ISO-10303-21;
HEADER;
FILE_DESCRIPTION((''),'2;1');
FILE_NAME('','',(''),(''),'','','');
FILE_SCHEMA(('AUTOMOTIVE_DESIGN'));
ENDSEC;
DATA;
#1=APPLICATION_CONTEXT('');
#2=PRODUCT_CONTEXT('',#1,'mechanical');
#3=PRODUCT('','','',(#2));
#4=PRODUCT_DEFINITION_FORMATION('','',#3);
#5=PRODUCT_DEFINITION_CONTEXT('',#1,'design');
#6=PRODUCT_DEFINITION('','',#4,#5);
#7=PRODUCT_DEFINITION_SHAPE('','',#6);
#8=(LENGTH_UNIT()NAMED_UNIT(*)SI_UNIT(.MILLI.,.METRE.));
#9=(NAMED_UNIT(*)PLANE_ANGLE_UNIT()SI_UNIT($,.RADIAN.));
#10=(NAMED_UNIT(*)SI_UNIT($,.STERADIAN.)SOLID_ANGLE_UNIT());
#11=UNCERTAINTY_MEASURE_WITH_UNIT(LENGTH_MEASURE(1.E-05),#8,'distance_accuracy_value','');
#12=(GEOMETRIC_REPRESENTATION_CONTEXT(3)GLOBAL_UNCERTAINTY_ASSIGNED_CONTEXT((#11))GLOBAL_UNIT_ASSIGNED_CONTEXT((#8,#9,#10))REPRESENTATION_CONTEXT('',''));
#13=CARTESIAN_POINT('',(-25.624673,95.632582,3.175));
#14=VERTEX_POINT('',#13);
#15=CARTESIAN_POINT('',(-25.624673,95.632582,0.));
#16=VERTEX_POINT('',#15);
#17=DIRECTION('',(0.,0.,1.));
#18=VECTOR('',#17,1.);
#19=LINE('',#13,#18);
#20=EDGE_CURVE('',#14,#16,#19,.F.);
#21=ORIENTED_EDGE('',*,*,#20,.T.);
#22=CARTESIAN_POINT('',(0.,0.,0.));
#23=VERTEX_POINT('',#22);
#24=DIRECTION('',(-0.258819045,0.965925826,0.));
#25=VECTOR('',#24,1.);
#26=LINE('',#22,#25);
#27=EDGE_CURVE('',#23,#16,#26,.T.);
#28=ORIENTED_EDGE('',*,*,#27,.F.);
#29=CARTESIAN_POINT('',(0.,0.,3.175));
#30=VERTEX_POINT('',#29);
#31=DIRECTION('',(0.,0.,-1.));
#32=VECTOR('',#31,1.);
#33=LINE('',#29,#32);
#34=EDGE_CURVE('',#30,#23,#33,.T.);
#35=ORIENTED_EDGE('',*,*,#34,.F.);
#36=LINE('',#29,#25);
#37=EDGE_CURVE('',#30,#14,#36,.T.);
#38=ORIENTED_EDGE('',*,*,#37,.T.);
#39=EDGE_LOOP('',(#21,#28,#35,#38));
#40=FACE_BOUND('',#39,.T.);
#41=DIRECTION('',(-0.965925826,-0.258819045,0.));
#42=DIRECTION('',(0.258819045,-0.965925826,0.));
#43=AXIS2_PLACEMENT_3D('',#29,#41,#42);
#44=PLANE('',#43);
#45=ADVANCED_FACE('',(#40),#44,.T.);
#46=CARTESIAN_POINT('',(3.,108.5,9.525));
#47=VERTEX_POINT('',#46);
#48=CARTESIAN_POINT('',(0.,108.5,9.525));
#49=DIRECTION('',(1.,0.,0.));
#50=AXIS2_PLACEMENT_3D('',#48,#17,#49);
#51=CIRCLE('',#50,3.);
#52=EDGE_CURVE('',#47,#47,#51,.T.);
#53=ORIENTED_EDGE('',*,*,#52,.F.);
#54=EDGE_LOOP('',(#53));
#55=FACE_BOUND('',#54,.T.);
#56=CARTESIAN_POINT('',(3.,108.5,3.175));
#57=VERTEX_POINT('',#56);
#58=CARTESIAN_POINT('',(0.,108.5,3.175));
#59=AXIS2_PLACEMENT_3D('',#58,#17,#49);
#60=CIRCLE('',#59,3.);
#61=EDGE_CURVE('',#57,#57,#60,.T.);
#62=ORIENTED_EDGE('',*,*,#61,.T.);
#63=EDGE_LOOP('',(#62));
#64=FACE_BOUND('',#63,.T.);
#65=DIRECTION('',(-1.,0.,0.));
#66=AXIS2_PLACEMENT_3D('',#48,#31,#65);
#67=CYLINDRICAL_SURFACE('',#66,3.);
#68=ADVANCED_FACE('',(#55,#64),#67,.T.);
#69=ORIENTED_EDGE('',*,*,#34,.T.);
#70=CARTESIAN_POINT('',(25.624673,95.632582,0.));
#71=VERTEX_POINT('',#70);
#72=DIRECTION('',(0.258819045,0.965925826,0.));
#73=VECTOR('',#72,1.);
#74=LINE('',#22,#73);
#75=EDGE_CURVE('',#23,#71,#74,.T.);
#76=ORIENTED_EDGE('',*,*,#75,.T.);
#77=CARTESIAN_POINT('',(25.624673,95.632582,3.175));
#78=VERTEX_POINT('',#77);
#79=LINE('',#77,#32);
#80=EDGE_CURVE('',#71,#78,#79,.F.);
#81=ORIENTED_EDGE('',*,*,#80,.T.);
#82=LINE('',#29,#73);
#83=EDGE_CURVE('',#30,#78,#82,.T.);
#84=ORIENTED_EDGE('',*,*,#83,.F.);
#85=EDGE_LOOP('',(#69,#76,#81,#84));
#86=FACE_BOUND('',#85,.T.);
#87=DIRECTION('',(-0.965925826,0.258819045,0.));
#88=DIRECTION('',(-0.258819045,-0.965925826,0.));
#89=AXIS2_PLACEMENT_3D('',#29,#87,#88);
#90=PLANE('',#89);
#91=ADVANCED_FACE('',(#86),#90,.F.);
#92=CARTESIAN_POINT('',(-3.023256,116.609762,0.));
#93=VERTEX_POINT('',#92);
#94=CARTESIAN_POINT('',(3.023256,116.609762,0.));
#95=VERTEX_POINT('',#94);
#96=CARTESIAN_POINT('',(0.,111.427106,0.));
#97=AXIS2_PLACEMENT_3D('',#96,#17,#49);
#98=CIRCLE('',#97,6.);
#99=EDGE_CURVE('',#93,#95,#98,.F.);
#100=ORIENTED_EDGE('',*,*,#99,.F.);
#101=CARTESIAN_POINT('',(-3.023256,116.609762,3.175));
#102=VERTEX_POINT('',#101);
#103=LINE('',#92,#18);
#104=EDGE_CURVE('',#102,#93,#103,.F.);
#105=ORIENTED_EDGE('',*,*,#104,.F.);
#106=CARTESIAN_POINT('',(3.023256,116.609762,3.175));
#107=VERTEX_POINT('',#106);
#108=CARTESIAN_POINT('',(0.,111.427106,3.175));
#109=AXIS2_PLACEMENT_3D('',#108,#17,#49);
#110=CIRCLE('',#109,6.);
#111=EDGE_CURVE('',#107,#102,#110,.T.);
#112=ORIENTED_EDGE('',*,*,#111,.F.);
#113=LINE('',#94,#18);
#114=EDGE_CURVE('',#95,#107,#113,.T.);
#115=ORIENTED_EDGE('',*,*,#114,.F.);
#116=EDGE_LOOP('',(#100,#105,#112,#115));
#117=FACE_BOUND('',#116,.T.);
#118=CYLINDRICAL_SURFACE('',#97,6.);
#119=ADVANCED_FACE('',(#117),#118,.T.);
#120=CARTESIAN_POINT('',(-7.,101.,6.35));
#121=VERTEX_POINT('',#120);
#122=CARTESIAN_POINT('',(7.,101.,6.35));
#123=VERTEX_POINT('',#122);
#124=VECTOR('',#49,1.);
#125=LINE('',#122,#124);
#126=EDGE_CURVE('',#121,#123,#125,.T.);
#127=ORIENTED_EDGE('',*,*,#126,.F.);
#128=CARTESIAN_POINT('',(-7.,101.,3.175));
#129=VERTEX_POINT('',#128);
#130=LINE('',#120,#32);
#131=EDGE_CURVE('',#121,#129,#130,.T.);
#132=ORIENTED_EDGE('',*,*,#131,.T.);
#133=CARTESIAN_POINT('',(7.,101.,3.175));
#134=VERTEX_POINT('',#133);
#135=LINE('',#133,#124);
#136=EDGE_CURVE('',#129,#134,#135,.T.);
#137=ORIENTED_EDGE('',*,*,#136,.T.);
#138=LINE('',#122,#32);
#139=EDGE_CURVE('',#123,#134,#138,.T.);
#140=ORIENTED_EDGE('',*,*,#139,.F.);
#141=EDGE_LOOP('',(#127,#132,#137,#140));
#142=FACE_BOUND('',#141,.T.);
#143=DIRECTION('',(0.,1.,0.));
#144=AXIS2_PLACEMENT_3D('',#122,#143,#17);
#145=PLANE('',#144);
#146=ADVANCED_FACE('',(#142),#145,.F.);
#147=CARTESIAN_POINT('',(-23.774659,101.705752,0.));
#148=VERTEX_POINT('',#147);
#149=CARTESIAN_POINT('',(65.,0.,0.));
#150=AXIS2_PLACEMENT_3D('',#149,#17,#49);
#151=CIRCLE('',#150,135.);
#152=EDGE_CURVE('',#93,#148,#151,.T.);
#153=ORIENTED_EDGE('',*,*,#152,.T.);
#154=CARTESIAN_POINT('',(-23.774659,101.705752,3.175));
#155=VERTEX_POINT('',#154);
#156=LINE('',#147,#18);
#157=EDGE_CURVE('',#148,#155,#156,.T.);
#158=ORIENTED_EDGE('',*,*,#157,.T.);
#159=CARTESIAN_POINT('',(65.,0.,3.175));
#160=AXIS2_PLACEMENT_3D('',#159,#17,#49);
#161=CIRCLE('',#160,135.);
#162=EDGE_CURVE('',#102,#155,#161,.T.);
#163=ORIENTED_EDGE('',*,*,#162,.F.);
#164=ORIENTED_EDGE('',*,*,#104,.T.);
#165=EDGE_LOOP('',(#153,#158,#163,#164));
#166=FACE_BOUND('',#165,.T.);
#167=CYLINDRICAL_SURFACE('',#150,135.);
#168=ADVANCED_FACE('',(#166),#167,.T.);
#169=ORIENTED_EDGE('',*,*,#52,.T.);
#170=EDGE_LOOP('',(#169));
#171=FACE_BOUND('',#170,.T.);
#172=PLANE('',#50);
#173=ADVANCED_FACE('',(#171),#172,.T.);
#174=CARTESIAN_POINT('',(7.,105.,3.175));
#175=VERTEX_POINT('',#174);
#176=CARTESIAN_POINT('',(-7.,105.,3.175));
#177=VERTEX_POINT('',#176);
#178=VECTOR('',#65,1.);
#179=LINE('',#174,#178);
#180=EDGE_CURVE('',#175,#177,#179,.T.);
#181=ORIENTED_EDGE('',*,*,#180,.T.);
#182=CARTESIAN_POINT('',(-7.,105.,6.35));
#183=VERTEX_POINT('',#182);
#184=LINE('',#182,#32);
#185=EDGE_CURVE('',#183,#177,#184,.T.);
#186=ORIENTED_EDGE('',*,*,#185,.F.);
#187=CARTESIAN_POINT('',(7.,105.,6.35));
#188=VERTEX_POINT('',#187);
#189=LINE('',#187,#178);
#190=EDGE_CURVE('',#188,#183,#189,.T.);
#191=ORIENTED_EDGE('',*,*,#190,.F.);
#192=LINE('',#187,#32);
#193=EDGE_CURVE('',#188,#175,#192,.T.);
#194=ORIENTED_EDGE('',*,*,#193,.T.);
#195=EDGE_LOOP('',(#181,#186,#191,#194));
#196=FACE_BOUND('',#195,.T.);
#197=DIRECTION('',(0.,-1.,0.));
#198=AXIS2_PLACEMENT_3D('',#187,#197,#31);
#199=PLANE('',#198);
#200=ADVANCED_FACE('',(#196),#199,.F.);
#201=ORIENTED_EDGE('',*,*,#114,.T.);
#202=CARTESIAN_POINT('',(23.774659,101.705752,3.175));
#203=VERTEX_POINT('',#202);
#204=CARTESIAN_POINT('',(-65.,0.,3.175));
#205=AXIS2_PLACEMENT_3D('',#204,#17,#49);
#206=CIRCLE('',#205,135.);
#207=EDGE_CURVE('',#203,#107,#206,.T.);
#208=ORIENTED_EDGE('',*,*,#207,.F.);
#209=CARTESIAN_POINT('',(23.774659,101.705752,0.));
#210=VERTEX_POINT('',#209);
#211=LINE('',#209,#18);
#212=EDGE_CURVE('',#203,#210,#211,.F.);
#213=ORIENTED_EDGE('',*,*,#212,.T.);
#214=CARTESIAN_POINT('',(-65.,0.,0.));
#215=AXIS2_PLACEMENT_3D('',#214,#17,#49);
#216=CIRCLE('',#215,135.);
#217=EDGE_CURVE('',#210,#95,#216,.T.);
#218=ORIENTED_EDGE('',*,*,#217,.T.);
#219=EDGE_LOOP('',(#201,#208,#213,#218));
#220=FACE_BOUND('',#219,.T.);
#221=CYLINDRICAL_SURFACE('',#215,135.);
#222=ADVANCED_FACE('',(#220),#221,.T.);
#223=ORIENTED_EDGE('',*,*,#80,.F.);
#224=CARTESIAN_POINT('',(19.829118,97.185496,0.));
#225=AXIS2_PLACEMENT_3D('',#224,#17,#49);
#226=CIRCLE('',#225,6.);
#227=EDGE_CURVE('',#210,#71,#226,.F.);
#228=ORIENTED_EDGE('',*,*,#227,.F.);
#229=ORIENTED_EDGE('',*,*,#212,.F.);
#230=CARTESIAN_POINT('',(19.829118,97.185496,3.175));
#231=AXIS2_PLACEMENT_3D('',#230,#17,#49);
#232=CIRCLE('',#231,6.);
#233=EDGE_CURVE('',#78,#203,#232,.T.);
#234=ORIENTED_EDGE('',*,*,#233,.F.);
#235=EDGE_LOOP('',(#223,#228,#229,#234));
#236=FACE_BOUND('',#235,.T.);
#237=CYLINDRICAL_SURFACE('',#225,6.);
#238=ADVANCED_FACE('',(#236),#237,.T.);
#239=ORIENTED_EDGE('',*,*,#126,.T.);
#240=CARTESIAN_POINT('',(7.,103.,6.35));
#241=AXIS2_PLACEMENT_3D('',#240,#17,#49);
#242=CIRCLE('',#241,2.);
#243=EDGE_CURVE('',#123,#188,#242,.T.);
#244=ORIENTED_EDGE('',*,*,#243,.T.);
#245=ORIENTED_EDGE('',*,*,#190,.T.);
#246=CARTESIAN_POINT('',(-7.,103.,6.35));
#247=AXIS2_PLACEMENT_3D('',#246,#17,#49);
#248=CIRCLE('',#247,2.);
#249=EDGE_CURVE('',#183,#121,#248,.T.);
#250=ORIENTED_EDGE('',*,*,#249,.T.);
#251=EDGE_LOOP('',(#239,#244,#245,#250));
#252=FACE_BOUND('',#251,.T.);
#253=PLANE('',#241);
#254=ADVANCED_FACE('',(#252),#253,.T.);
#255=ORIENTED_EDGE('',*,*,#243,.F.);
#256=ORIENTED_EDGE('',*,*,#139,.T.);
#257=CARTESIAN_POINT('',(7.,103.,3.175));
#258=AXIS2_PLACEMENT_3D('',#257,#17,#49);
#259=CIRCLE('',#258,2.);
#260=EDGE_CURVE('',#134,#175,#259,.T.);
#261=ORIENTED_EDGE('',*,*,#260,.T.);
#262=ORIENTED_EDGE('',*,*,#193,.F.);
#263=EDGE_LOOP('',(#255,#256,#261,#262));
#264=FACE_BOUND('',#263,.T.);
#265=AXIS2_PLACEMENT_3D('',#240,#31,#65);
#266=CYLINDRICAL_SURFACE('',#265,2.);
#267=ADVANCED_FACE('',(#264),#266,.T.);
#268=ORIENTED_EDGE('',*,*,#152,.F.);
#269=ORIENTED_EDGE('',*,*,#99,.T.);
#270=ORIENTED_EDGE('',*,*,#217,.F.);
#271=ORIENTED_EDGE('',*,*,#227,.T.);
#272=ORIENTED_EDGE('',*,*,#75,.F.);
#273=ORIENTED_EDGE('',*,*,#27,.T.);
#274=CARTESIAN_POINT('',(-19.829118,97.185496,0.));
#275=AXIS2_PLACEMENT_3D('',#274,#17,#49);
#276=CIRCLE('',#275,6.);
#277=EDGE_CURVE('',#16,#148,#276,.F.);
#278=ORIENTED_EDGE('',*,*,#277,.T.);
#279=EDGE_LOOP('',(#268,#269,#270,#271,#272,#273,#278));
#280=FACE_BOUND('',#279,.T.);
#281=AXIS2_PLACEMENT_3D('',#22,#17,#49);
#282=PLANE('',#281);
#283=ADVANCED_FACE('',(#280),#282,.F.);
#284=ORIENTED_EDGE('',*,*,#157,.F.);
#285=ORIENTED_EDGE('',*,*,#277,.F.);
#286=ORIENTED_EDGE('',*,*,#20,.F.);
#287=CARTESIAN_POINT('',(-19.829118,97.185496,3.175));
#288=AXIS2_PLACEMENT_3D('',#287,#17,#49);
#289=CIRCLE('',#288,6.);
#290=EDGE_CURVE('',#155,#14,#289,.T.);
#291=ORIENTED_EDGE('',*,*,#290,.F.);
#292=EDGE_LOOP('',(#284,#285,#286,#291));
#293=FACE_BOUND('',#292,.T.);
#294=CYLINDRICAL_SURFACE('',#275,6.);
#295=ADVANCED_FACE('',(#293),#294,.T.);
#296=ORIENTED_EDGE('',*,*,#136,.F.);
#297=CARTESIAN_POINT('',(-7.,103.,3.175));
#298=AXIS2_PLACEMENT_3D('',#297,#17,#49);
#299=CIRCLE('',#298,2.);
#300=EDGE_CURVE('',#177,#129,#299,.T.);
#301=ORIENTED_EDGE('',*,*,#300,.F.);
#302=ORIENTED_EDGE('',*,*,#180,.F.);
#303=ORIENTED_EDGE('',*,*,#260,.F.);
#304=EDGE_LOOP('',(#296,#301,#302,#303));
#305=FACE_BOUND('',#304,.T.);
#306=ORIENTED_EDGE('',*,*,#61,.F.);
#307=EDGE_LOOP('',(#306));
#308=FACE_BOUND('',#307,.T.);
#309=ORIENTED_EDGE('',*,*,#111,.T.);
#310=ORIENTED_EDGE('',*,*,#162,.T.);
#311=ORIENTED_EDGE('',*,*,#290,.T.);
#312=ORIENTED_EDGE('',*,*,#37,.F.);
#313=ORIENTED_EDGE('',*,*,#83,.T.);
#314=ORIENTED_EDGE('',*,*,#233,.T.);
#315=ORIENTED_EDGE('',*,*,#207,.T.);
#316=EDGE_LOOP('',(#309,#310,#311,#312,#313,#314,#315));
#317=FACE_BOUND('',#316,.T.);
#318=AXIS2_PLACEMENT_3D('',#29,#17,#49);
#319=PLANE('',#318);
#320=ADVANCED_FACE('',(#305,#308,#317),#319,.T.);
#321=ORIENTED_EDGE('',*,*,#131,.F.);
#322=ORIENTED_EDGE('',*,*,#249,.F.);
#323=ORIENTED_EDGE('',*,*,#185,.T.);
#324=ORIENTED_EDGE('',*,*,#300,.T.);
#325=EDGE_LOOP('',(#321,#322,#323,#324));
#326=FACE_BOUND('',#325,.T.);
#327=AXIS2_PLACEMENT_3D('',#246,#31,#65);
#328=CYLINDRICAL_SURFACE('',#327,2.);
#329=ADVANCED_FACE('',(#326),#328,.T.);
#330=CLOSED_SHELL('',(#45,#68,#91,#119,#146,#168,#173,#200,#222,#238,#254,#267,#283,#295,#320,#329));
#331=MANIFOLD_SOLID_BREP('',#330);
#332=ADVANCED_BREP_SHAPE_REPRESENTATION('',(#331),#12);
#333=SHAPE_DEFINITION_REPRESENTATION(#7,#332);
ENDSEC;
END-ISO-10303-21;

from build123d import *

# Parameters (mm, degrees)
BOSS_EXTRUDE1_DEPTH = 3.175
CUT_EXTRUDE2_START  = -3.175
CUT_EXTRUDE2_DEPTH  = 3.175
FILLET1_R           = 6
BOSS_EXTRUDE2_DEPTH = 3.175
SKETCH2_R           = 3
BOSS_EXTRUDE3_DEPTH = 6.35


with BuildPart() as part:
    # Sketch1 → Boss-Extrude1 (new body)
    with BuildSketch(Plane.XY):
        with BuildLine():
            Line((-32.352380638, 120.740728286), (0, 0))
            Line((0, 0), (0, 125))
            ThreePointArc((0, 125), (-16.315774028, 123.930607672), (-32.352380638, 120.740728286))
        make_face()
        with BuildLine():
            Line((0, 125), (0, 0))
            Line((0, 0), (32.352380638, 120.740728286))
            ThreePointArc((32.352380638, 120.740728286), (16.315774028, 123.930607672), (0, 125))
        make_face()
    extrude(amount=BOSS_EXTRUDE1_DEPTH)

    # Sketch3 → Cut-Extrude2 (cut)
    with BuildSketch(Plane.XY.offset(3.175).offset(CUT_EXTRUDE2_START)):
        with BuildLine():
            ThreePointArc((-12.5, 124.373429638), (-199.821294039, -6.943966706), (0, -118.321595662))
            ThreePointArc((0, -118.321595662), (-69.003341725, -16.373894052), (-26.577702514, 99.189336132))
            Line((-26.577702514, 99.189336132), (-32.352380638, 120.740728286))
            ThreePointArc((-32.352380638, 120.740728286), (-22.499625375, 122.958394825), (-12.5, 124.373429638))
        make_face()
        with BuildLine():
            ThreePointArc((-26.577702514, 99.189336132), (-13.871129508, 109.564341508), (0, 118.321595662))
            ThreePointArc((0, 118.321595662), (-6.172126729, 121.50835908), (-12.5, 124.373429638))
            ThreePointArc((-12.5, 124.373429638), (-22.499625375, 122.958394825), (-32.352380638, 120.740728286))
            Line((-32.352380638, 120.740728286), (-26.577702514, 99.189336132))
        make_face()
        with BuildLine():
            ThreePointArc((-12.5, 124.373429638), (-6.172126729, 121.50835908), (0, 118.321595662))
            ThreePointArc((0, 118.321595662), (6.172126729, 121.50835908), (12.5, 124.373429638))
            ThreePointArc((12.5, 124.373429638), (0, 125), (-12.5, 124.373429638))
        make_face()
        with BuildLine():
            ThreePointArc((26.577702514, 99.189336132), (58.668892288, 54.138757654), (70, 0))
            ThreePointArc((70, 0), (51.189500386, -68.738635424), (0, -118.321595662))
            ThreePointArc((0, -118.321595662), (133.738635424, -116.189500386), (200, 0))
            ThreePointArc((200, 0), (139.624057783, 112.5), (12.5, 124.373429638))
            ThreePointArc((12.5, 124.373429638), (22.499625375, 122.958394825), (32.352380638, 120.740728286))
            Line((32.352380638, 120.740728286), (26.577702514, 99.189336132))
        make_face()
        with BuildLine():
            ThreePointArc((0, 118.321595662), (13.871129508, 109.564341508), (26.577702514, 99.189336132))
            Line((26.577702514, 99.189336132), (32.352380638, 120.740728286))
            ThreePointArc((32.352380638, 120.740728286), (22.499625375, 122.958394825), (12.5, 124.373429638))
            ThreePointArc((12.5, 124.373429638), (6.172126729, 121.50835908), (0, 118.321595662))
        make_face()
    extrude(amount=CUT_EXTRUDE2_DEPTH, mode=Mode.SUBTRACT)

    # Fillet1
    fillet1_edges = [part.edges().sort_by_distance(p)[0] for p in [
        (0, 118.321595662, 1.5875),
        (-26.577702514, 99.189336132, 1.5875),
        (26.577702514, 99.189336132, 1.5875),
    ]]
    fillet(fillet1_edges, radius=FILLET1_R)

    # Sketch4 → Boss-Extrude2 (add)
    with BuildSketch(Plane.XY.offset(3.175)):
        with BuildLine():
            Line((7, 101), (-7, 101))
            ThreePointArc((-7, 101), (-9, 103), (-7, 105))
            Line((-7, 105), (7, 105))
            ThreePointArc((7, 105), (9, 103), (7, 101))
        make_face()
    extrude(amount=BOSS_EXTRUDE2_DEPTH)

    # Sketch2 → Boss-Extrude3 (add)
    with BuildSketch(Plane.XY.offset(3.175)):
        with Locations((0, 108.5)):
            Circle(SKETCH2_R)
    extrude(amount=BOSS_EXTRUDE3_DEPTH)


solid = part.part
